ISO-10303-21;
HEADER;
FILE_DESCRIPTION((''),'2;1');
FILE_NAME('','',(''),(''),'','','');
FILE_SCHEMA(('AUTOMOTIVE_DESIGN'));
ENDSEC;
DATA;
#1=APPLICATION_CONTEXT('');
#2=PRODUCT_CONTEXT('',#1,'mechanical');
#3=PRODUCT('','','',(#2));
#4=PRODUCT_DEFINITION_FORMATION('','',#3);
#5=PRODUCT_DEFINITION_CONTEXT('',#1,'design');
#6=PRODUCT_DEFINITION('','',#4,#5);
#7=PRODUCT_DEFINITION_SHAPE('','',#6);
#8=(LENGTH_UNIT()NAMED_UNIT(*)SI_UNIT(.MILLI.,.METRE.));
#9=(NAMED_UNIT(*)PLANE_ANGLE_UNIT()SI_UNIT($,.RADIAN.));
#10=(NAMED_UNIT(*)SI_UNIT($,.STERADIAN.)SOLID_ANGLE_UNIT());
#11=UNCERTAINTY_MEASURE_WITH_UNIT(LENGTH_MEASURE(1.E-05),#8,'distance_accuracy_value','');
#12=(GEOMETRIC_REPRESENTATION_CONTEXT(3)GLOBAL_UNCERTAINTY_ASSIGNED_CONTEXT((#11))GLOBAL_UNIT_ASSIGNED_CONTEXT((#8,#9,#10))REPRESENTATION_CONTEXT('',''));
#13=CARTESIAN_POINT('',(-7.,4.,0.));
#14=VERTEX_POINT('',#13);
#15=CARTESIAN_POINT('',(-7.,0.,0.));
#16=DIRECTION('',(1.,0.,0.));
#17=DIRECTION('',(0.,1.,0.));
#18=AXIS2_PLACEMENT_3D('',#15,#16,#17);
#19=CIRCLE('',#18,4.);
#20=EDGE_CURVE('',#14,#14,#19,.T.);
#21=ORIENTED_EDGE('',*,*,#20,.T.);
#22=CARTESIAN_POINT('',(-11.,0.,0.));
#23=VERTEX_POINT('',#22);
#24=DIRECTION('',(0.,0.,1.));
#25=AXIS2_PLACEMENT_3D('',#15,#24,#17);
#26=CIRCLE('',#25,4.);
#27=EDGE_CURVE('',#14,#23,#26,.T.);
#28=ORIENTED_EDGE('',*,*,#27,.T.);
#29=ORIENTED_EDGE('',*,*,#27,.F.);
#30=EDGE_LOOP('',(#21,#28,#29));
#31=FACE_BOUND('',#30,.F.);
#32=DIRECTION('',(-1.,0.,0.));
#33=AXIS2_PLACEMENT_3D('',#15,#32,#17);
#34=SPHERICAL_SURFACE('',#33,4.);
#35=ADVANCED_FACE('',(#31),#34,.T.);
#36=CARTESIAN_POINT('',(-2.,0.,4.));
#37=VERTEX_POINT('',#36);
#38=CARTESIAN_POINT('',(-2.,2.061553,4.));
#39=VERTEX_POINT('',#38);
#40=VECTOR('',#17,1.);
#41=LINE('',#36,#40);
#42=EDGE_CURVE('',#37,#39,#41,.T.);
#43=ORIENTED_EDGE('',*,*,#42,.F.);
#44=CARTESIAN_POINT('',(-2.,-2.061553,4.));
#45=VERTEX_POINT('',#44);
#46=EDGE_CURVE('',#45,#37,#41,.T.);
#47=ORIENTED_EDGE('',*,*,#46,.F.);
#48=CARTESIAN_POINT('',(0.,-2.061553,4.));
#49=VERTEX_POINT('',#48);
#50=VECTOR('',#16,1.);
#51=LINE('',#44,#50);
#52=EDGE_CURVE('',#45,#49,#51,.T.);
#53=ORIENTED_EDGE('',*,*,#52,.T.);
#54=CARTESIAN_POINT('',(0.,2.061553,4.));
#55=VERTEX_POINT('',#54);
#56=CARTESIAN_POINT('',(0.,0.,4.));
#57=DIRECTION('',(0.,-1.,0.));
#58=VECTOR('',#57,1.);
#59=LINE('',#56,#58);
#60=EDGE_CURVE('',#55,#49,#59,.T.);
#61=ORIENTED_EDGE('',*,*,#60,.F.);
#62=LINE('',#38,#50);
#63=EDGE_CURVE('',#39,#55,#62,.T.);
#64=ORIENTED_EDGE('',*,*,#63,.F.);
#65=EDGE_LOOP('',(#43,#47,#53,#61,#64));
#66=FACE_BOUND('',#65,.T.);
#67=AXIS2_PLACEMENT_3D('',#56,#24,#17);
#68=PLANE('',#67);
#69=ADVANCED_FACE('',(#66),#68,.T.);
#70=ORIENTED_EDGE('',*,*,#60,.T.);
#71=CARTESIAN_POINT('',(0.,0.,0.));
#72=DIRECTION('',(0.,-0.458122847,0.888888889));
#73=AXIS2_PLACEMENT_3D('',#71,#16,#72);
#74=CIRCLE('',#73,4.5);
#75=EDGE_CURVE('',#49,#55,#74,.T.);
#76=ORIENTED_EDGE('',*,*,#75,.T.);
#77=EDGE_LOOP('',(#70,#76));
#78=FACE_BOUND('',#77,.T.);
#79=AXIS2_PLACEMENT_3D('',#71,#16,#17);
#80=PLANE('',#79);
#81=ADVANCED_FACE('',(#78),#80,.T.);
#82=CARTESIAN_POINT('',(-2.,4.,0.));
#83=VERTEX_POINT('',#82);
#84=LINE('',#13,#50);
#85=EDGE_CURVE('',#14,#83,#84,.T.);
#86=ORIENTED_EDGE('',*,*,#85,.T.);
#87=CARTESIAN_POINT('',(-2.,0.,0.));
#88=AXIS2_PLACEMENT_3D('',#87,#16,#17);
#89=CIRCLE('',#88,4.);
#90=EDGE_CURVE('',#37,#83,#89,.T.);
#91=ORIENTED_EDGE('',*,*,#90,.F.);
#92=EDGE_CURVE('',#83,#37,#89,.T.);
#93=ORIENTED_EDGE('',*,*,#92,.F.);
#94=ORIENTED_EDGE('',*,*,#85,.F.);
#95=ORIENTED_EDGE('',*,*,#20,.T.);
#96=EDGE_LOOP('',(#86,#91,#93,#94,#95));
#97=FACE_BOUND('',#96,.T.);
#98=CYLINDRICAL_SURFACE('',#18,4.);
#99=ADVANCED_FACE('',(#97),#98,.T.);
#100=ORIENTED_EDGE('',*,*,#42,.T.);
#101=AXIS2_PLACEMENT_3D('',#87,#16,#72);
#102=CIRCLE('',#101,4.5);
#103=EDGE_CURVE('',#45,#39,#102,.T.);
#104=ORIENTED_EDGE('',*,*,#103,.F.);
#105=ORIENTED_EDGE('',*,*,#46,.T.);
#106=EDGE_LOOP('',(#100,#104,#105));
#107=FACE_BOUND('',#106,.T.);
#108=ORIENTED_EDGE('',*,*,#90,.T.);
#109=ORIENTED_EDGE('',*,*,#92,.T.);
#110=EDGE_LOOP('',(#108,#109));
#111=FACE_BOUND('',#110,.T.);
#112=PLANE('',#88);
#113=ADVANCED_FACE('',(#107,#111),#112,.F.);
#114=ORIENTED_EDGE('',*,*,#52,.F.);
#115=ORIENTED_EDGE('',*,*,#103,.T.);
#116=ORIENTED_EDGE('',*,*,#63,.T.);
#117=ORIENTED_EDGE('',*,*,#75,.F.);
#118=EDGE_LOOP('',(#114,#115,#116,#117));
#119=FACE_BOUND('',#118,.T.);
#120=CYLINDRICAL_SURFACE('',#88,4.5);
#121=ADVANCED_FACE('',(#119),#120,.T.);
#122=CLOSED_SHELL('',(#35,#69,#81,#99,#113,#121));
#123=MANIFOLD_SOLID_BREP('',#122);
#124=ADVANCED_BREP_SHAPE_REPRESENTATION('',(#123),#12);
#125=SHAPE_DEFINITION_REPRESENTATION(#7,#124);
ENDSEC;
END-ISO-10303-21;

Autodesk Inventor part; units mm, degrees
ref_plane "YZ Plane" through (0, 0, 0) normal (1, 0, 0) x (0, 1, 0)
ref_plane "XZ Plane" through (0, 0, 0) normal (0, 1, 0) x (-1, 0, 0)
sketch "Sketch1" plane through (0, 0, 0) normal (0, 0, 1) x (1, 0, 0)
  line L0 (0, -0.9657) -> (0, 5.7941) construction
  line L1 (-14.1941, 0) -> (2.3657, 0) construction
  line L2 (0, 4.5) -> (0, 0)
  line L3 (-7, 4) -> (-2, 4)
  line L4 (-2, 4) -> (-2, 4.5)
  line L5 (-2, 4.5) -> (0, 4.5)
  arc A0 (-7, 4) -> (-11, 0) centre (-7, 0) ccw
  line L6 (-11, 0) -> (0, 0)
  dimension "d0" = 4
  dimension "d1" = 2
  dimension "d2" = 4.5
  dimension "d3" = 11
revolve "Revolution1" add sketch "Sketch1" angle 360 about axis through (-10, 0, 0) along (1, 0, 0)
ref_plane "Work Plane2" through (0, 0, 4) normal (0, 0, 1) x (1, 0, 0)
split "Split2" plane through (0, 0, 4) removes the side toward (0, 0, 1)
properties part number "LED 8mm"
